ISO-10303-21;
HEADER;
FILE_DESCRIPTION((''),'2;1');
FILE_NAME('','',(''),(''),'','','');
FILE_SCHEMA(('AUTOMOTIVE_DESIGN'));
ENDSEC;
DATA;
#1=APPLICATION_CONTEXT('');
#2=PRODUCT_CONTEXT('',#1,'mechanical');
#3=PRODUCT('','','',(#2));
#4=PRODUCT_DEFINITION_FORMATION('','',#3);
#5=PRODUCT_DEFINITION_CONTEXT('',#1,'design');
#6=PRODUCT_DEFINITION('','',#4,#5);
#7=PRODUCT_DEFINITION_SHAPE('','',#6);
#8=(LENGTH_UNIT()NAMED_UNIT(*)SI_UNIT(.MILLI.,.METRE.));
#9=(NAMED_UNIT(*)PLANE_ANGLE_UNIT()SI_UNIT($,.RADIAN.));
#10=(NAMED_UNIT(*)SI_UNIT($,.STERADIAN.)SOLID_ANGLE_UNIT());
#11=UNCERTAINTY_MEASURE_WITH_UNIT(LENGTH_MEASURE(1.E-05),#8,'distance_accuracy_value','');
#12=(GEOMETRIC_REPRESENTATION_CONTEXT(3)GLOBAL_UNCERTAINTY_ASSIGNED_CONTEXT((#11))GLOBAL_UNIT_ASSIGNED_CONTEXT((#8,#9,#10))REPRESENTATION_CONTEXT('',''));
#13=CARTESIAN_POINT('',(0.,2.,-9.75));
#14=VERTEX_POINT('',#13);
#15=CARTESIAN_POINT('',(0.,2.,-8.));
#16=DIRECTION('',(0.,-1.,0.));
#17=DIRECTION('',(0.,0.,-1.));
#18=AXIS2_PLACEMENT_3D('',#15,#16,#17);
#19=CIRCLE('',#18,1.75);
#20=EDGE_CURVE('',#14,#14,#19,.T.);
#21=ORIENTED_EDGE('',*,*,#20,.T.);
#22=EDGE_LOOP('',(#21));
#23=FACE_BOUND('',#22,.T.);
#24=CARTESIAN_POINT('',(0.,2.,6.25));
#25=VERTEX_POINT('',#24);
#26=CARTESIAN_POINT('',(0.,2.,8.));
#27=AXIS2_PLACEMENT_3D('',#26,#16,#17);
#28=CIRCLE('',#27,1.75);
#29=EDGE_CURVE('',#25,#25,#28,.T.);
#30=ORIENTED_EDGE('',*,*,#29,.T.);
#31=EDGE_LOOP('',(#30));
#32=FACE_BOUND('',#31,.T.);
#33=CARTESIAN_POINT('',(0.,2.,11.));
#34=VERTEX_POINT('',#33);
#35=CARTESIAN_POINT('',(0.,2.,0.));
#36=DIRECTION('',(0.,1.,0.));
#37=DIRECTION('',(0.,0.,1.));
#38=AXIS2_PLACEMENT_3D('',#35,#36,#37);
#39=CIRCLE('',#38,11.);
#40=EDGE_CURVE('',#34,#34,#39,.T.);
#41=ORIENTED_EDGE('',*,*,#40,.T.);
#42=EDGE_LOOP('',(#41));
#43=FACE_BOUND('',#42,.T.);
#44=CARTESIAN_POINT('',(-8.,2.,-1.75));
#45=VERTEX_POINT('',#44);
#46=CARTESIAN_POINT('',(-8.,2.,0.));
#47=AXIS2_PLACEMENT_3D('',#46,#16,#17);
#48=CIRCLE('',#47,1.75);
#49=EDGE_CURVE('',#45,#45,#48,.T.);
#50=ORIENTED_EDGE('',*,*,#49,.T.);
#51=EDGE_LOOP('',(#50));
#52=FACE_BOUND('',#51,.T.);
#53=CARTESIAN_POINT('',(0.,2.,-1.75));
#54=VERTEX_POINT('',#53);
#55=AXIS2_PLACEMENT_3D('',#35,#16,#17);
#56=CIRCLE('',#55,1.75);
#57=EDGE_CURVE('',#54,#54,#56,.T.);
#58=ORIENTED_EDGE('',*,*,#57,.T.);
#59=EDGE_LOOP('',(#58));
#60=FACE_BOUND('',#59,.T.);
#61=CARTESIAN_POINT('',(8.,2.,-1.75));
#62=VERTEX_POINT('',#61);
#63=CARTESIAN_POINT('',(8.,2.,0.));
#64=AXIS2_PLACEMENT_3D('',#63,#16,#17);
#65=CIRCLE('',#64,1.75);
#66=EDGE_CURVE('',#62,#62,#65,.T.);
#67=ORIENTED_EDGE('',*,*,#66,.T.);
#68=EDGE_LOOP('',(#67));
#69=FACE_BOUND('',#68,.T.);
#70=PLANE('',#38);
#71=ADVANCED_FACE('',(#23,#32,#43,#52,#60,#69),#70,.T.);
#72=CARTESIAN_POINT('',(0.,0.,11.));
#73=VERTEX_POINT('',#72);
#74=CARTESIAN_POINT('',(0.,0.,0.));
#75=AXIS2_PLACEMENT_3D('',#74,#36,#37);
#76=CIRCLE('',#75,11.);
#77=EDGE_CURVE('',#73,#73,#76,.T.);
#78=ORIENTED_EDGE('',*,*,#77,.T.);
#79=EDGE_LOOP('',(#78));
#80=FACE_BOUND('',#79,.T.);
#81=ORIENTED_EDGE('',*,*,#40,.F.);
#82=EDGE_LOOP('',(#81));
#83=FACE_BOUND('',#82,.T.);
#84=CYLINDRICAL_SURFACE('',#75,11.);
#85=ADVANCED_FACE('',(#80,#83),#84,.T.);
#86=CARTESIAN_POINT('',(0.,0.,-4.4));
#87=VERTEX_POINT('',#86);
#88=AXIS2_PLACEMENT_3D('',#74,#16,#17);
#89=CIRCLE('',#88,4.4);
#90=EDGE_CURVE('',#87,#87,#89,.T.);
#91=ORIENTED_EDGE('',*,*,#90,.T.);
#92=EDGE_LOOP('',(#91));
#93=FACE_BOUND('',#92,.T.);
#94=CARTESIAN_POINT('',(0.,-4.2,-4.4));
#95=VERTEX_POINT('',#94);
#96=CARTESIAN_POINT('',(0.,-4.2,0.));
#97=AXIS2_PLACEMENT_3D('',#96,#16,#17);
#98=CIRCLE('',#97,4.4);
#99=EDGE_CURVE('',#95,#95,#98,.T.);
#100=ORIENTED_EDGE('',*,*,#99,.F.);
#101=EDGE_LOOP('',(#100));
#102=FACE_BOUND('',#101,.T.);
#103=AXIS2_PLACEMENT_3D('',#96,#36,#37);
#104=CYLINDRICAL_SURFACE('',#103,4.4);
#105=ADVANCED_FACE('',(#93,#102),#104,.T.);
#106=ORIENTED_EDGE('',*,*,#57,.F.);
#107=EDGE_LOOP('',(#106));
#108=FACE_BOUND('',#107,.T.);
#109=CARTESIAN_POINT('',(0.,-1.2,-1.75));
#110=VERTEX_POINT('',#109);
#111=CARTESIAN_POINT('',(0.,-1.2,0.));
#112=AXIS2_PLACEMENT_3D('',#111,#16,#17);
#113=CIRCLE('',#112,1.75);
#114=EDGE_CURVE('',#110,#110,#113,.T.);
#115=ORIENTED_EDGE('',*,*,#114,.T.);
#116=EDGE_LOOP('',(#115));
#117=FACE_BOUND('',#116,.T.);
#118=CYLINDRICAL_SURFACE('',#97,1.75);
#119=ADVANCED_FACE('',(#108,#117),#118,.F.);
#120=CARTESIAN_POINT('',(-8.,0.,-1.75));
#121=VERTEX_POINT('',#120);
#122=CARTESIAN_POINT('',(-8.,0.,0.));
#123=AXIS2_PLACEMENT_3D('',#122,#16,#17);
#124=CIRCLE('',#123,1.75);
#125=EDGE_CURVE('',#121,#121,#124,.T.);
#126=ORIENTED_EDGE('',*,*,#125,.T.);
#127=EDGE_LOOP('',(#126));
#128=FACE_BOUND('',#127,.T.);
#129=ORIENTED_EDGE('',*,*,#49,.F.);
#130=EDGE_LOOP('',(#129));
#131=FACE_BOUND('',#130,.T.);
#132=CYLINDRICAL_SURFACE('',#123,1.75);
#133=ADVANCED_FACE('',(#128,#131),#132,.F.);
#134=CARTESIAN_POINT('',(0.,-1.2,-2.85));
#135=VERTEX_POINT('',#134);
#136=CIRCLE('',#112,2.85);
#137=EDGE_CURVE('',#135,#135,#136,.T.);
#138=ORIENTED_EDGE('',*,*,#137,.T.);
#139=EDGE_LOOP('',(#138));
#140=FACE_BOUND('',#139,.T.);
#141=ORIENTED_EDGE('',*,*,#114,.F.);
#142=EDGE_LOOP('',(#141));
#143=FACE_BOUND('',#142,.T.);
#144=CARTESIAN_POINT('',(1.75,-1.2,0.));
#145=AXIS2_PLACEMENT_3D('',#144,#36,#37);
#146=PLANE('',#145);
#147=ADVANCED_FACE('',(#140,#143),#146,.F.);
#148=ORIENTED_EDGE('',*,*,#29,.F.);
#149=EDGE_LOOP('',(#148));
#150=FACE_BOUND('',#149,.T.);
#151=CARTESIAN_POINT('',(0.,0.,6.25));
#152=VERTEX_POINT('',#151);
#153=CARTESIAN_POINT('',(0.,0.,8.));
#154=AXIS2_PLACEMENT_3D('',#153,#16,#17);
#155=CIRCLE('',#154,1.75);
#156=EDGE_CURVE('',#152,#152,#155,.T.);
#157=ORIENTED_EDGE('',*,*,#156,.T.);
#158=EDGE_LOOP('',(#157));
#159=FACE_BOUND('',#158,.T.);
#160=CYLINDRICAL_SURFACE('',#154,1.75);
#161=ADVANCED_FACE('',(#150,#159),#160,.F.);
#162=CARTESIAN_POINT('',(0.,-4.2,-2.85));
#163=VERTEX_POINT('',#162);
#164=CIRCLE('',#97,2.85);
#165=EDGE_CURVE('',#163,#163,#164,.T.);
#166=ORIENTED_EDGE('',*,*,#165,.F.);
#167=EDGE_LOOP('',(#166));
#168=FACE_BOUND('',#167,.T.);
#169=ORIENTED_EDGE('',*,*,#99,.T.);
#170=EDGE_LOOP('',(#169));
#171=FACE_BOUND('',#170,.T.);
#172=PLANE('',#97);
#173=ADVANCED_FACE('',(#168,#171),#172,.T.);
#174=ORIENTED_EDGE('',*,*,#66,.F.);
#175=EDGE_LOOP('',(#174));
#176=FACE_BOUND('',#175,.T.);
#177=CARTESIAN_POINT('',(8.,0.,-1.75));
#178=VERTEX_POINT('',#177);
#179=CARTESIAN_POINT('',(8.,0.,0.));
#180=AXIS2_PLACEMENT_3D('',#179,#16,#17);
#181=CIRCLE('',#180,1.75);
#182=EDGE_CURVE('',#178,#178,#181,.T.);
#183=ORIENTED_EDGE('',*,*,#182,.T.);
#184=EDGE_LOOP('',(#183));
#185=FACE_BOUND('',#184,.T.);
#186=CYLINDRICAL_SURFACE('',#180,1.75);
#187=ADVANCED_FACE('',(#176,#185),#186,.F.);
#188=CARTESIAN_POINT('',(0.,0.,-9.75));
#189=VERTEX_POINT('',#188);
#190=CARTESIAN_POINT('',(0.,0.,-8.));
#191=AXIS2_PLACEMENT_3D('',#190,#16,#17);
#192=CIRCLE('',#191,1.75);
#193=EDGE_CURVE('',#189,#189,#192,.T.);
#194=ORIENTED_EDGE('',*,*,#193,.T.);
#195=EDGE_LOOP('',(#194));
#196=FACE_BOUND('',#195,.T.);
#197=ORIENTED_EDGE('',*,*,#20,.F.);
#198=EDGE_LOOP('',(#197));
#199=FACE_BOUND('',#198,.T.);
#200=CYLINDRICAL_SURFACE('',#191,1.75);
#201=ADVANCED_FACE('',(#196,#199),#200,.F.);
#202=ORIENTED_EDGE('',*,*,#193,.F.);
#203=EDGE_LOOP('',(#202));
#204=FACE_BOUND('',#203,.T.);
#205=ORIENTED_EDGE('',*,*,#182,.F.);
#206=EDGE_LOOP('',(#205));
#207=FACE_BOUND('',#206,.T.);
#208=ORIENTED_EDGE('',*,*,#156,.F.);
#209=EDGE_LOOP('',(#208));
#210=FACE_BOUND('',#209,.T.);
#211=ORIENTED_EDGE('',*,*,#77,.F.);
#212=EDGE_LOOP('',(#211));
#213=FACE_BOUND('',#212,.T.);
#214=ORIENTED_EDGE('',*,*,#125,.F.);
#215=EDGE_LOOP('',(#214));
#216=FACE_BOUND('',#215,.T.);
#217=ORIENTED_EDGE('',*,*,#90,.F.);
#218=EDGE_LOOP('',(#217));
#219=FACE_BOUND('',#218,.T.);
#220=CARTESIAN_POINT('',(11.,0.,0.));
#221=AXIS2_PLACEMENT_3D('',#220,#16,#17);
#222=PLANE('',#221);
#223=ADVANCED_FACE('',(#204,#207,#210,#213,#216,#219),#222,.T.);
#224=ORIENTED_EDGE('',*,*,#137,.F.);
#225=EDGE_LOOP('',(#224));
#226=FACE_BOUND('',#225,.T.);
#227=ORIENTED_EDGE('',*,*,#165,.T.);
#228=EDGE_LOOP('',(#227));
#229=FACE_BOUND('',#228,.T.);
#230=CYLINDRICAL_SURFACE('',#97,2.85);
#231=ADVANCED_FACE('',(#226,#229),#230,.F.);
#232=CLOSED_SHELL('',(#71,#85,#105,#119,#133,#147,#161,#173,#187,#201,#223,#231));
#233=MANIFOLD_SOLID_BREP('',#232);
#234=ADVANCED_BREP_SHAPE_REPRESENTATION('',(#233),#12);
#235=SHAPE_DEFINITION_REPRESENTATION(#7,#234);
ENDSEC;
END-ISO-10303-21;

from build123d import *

# Parameters (mm, degrees)
SKETCH1_W                                        = 11
SKETCH1_H                                        = 2
SKETCH2_R                                        = 4.4
BOSS_EXTRUDE1_DEPTH                              = 4.2
F_3_5_3_5_DIAMETER_HOLE1_D                       = 3.5
F_3_5_3_5_DIAMETER_HOLE1_DEPTH                   = 2
CBORE_FOR_M3_HEX_HEAD_MACHINE_SCREW1_D           = 3.5
CBORE_FOR_M3_HEX_HEAD_MACHINE_SCREW1_DEPTH       = 6.2
CBORE_FOR_M3_HEX_HEAD_MACHINE_SCREW1_CBORE_D     = 5.7
CBORE_FOR_M3_HEX_HEAD_MACHINE_SCREW1_CBORE_DEPTH = 3


with BuildPart() as part:
    # Sketch1 → Revolve1 (revolve)
    with BuildSketch(Plane(origin=(0, 0, 0), x_dir=(-1, 0, 0), z_dir=(0, 0, -1))):
        with Locations((-5.5, 1)):
            Rectangle(SKETCH1_W, SKETCH1_H)
    revolve(axis=Axis((0, 0, 0), (0, 1, 0)))

    # Sketch2 → Boss-Extrude1 (add)
    with BuildSketch(Plane.XZ):
        Circle(SKETCH2_R)
    extrude(amount=BOSS_EXTRUDE1_DEPTH)

    # Ø3.5 (3.5) Diameter Hole1
    with Locations(Plane(origin=(0, 0, 0), x_dir=(-1, 0, 0), z_dir=(0, -1, 0))):
        with Locations((-8, 0), (0, -8), (8, 0), (0, 8)):
            Hole(F_3_5_3_5_DIAMETER_HOLE1_D / 2, depth=F_3_5_3_5_DIAMETER_HOLE1_DEPTH)

    # CBORE for M3 Hex Head Machine Screw1
    with Locations(Plane(origin=(0, -4.2, 0), x_dir=(-1, 0, 0), z_dir=(0, -1, 0))):
        with Locations((0, 0)):
            CounterBoreHole(CBORE_FOR_M3_HEX_HEAD_MACHINE_SCREW1_D / 2, CBORE_FOR_M3_HEX_HEAD_MACHINE_SCREW1_CBORE_D / 2, CBORE_FOR_M3_HEX_HEAD_MACHINE_SCREW1_CBORE_DEPTH, depth=CBORE_FOR_M3_HEX_HEAD_MACHINE_SCREW1_DEPTH)


solid = part.part
